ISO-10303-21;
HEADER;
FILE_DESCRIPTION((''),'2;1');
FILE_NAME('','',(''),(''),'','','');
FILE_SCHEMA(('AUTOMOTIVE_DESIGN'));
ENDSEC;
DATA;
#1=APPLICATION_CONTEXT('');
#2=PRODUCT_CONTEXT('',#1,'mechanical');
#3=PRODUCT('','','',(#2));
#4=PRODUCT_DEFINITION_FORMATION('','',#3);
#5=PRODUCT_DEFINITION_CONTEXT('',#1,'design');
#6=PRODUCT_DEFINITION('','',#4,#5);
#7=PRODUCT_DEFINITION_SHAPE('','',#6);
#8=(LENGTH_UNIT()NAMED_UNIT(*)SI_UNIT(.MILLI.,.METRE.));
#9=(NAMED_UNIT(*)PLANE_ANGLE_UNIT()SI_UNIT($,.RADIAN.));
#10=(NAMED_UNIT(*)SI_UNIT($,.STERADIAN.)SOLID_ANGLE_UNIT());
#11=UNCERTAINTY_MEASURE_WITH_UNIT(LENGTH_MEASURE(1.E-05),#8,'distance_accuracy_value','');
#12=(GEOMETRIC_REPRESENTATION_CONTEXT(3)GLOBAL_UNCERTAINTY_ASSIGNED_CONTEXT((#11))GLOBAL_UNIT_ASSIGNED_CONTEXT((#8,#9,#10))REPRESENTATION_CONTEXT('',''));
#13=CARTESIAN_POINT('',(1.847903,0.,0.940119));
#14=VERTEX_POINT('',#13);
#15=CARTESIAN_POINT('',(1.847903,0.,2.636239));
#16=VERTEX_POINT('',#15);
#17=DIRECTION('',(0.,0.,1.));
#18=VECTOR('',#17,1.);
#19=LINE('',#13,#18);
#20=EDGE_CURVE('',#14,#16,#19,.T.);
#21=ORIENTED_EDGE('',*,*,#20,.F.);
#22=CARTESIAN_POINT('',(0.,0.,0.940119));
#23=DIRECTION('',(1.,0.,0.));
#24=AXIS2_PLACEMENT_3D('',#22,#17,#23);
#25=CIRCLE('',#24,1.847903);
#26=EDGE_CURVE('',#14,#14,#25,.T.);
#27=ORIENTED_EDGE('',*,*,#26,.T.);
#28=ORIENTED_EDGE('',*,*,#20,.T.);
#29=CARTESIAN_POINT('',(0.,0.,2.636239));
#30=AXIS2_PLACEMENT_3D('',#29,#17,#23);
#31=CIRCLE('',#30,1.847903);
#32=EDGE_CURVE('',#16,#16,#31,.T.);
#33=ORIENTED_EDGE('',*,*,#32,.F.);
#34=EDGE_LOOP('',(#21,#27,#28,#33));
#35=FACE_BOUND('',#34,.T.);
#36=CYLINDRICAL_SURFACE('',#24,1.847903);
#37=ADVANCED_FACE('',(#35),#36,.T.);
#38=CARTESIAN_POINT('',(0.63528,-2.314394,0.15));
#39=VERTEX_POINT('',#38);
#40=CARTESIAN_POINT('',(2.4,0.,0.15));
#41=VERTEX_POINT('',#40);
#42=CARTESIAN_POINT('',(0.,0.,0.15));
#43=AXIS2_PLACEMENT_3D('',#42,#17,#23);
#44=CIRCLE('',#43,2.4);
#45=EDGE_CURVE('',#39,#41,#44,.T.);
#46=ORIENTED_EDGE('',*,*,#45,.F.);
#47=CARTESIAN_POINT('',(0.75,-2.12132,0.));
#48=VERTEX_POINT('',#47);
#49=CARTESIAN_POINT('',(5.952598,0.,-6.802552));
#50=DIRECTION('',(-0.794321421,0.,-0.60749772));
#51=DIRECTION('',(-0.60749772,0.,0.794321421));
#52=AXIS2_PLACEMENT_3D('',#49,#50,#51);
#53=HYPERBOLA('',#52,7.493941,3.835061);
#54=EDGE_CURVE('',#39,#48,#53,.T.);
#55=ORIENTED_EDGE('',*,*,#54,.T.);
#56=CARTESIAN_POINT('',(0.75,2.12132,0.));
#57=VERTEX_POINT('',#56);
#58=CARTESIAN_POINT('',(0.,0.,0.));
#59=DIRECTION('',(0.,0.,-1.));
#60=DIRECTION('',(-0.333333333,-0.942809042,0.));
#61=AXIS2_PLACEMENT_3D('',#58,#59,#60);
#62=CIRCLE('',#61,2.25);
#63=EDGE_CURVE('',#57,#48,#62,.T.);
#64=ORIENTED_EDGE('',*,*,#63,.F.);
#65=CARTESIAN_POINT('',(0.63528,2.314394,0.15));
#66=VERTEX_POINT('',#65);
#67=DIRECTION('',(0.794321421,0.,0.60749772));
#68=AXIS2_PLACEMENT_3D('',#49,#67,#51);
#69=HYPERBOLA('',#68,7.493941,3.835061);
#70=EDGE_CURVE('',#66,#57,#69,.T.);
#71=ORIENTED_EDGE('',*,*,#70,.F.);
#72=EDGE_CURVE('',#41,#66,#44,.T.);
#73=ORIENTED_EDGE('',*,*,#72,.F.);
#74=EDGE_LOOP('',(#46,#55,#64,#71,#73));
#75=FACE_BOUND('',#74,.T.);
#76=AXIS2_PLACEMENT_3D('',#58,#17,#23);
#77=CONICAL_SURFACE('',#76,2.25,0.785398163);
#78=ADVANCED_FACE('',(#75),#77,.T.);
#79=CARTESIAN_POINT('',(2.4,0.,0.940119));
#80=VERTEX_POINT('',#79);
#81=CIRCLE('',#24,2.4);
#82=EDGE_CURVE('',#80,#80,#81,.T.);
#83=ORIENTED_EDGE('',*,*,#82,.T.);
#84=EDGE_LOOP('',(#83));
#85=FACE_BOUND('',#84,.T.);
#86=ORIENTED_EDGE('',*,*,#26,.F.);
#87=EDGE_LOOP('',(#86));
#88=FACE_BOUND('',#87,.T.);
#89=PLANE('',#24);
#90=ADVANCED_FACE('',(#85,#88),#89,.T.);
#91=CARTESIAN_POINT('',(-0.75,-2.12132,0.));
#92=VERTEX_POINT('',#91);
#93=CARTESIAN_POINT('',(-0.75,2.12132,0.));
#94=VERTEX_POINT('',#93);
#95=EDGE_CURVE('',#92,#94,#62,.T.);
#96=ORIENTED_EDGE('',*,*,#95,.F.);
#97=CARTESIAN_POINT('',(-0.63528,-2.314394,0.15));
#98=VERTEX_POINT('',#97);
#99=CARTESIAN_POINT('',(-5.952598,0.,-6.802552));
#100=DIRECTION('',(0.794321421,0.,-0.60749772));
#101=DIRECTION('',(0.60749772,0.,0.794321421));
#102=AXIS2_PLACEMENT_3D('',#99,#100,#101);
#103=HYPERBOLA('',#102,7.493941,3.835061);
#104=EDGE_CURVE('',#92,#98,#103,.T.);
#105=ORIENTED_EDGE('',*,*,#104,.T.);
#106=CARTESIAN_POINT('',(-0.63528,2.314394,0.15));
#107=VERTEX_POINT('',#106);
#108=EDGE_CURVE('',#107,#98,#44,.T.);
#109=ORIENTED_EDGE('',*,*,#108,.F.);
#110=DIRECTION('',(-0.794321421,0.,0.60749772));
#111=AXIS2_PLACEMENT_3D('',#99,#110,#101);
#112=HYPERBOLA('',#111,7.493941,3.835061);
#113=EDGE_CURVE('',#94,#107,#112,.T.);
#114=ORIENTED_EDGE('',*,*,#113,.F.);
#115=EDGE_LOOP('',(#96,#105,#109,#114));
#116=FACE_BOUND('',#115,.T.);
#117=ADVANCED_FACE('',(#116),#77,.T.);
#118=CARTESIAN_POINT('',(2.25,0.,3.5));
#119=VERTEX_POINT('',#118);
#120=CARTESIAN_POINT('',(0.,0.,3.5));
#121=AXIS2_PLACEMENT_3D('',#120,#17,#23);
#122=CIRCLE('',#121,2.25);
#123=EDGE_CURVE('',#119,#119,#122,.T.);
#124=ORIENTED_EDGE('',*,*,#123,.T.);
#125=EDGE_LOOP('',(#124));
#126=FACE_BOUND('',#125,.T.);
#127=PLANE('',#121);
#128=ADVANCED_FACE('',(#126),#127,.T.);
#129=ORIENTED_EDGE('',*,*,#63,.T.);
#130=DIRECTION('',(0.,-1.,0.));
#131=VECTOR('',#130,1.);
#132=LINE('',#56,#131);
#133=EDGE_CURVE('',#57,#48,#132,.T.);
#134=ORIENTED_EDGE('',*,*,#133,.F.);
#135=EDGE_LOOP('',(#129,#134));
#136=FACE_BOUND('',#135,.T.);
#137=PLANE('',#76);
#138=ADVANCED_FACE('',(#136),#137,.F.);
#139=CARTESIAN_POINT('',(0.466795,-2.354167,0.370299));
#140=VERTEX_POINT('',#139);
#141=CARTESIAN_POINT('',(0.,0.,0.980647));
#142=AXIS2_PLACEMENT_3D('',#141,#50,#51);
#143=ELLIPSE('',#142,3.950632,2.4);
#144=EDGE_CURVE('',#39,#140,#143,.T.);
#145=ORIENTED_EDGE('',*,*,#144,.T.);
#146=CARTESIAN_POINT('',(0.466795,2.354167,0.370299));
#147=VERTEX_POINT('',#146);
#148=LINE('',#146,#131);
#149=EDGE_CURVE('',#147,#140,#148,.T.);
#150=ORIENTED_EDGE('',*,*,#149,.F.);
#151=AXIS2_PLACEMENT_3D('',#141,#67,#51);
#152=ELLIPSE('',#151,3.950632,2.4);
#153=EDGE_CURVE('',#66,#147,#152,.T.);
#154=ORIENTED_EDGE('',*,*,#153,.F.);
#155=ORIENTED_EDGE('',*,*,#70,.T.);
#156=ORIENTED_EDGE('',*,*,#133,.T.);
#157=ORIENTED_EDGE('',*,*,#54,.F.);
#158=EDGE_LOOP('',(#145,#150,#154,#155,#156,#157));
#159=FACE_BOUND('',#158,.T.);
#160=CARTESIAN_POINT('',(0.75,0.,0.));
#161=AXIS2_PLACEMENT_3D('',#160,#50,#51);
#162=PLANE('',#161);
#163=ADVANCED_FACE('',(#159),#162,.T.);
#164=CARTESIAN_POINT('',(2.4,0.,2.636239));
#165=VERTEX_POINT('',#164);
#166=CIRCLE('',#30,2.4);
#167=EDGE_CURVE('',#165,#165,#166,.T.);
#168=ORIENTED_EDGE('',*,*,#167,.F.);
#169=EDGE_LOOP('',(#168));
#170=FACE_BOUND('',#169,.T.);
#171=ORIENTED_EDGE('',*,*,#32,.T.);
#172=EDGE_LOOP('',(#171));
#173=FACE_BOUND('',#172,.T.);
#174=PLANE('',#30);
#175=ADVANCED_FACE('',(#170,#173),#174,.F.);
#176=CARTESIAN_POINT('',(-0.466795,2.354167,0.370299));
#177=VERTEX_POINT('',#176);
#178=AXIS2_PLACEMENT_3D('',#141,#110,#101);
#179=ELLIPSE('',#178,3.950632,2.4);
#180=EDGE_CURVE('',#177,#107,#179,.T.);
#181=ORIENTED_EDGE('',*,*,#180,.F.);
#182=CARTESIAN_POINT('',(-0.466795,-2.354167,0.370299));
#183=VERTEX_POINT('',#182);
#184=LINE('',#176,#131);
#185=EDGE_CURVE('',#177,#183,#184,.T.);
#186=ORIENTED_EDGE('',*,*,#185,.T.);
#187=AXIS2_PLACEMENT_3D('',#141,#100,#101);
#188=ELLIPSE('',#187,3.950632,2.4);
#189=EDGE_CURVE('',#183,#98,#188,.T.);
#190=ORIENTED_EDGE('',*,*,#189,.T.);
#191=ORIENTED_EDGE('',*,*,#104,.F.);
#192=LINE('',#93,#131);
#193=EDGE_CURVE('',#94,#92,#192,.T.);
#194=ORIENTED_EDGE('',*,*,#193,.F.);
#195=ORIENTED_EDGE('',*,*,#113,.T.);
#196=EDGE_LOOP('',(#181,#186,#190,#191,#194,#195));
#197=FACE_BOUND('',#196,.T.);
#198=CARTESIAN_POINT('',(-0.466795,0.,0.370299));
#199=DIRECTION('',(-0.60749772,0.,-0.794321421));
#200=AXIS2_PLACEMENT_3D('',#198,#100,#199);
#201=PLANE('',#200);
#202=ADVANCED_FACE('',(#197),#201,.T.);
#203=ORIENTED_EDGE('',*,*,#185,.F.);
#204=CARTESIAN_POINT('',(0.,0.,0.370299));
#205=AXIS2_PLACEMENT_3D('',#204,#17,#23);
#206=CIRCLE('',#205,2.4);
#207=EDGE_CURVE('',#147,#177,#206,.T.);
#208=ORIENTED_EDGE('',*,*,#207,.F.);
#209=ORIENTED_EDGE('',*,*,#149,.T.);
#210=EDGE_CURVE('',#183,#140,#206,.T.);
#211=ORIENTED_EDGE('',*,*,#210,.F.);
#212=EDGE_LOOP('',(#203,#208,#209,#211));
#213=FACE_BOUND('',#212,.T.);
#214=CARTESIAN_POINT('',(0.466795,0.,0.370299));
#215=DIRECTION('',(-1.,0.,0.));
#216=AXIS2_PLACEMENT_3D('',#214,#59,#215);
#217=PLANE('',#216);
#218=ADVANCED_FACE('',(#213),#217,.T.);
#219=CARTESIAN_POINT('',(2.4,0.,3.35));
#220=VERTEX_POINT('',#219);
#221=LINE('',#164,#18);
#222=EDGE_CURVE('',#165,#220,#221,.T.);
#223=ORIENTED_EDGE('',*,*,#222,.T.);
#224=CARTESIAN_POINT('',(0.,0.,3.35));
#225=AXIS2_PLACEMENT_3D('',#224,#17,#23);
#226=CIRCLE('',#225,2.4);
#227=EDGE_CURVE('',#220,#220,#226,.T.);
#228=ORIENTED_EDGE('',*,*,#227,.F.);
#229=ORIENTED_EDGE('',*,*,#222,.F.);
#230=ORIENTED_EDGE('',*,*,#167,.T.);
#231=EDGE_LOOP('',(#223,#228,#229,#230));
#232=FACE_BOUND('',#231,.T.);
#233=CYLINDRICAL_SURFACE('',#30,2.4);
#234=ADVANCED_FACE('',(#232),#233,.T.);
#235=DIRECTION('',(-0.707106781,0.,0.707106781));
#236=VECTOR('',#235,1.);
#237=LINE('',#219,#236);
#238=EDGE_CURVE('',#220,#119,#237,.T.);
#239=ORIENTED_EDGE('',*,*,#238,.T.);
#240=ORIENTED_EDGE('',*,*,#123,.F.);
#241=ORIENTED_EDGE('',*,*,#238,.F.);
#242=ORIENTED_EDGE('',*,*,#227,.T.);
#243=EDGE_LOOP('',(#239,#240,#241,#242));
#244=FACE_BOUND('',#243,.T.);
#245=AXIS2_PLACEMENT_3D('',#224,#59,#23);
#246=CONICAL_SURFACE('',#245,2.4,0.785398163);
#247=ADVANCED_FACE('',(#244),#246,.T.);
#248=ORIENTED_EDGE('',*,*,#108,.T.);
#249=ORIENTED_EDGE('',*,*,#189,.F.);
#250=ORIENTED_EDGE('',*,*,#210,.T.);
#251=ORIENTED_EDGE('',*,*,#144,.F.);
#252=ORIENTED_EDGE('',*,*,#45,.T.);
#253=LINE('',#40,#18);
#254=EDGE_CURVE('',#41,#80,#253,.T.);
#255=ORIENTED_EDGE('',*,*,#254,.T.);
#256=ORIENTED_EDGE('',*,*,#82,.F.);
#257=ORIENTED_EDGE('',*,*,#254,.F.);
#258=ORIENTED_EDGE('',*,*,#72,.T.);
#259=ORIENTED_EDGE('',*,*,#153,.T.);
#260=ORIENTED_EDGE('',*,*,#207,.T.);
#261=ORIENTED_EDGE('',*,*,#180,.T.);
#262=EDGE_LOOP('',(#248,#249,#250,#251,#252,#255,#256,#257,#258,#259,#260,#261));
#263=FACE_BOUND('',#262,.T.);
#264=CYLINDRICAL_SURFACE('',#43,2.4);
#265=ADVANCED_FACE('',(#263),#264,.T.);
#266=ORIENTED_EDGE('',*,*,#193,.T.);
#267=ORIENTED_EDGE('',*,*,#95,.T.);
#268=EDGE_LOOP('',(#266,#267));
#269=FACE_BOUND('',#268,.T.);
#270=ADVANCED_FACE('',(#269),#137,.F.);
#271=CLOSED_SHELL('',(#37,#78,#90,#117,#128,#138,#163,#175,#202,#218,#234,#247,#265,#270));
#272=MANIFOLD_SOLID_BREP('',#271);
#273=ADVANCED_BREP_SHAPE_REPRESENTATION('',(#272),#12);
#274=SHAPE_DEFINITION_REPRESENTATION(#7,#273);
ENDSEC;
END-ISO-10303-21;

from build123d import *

# Parameters (mm, degrees)
F3_DEPTH      = 2.401
F3_DEPTH_BACK = 2.401


with BuildPart() as f1:
    # F0 (on Front) → F1 (revolve)
    with BuildSketch(Plane.XZ):
        Polygon((0, 3.5), (0, 0), (2.25, 0), (2.4, 0.15), (2.4, 0.940119), (1.847903, 0.940119), (1.847903, 2.636239), (2.4, 2.636239), (2.4, 3.35), (2.25, 3.5), align=None)
    revolve(axis=Axis((0, 0, 1.75), (0, 0, 1)))

    # F2 (on Front) → F3 (cut, two sides)
    with BuildSketch(Plane.XZ) as f3_sk:
        Polygon((-0.466795, 0.370299), (-0.75, 0), (0, 0), (0.75, 0), (0.466795, 0.370299), (0, 0.370299), align=None)
    extrude(amount=F3_DEPTH, mode=Mode.SUBTRACT)
    extrude(f3_sk.sketch, amount=-F3_DEPTH_BACK, mode=Mode.SUBTRACT)


solid = f1.part
